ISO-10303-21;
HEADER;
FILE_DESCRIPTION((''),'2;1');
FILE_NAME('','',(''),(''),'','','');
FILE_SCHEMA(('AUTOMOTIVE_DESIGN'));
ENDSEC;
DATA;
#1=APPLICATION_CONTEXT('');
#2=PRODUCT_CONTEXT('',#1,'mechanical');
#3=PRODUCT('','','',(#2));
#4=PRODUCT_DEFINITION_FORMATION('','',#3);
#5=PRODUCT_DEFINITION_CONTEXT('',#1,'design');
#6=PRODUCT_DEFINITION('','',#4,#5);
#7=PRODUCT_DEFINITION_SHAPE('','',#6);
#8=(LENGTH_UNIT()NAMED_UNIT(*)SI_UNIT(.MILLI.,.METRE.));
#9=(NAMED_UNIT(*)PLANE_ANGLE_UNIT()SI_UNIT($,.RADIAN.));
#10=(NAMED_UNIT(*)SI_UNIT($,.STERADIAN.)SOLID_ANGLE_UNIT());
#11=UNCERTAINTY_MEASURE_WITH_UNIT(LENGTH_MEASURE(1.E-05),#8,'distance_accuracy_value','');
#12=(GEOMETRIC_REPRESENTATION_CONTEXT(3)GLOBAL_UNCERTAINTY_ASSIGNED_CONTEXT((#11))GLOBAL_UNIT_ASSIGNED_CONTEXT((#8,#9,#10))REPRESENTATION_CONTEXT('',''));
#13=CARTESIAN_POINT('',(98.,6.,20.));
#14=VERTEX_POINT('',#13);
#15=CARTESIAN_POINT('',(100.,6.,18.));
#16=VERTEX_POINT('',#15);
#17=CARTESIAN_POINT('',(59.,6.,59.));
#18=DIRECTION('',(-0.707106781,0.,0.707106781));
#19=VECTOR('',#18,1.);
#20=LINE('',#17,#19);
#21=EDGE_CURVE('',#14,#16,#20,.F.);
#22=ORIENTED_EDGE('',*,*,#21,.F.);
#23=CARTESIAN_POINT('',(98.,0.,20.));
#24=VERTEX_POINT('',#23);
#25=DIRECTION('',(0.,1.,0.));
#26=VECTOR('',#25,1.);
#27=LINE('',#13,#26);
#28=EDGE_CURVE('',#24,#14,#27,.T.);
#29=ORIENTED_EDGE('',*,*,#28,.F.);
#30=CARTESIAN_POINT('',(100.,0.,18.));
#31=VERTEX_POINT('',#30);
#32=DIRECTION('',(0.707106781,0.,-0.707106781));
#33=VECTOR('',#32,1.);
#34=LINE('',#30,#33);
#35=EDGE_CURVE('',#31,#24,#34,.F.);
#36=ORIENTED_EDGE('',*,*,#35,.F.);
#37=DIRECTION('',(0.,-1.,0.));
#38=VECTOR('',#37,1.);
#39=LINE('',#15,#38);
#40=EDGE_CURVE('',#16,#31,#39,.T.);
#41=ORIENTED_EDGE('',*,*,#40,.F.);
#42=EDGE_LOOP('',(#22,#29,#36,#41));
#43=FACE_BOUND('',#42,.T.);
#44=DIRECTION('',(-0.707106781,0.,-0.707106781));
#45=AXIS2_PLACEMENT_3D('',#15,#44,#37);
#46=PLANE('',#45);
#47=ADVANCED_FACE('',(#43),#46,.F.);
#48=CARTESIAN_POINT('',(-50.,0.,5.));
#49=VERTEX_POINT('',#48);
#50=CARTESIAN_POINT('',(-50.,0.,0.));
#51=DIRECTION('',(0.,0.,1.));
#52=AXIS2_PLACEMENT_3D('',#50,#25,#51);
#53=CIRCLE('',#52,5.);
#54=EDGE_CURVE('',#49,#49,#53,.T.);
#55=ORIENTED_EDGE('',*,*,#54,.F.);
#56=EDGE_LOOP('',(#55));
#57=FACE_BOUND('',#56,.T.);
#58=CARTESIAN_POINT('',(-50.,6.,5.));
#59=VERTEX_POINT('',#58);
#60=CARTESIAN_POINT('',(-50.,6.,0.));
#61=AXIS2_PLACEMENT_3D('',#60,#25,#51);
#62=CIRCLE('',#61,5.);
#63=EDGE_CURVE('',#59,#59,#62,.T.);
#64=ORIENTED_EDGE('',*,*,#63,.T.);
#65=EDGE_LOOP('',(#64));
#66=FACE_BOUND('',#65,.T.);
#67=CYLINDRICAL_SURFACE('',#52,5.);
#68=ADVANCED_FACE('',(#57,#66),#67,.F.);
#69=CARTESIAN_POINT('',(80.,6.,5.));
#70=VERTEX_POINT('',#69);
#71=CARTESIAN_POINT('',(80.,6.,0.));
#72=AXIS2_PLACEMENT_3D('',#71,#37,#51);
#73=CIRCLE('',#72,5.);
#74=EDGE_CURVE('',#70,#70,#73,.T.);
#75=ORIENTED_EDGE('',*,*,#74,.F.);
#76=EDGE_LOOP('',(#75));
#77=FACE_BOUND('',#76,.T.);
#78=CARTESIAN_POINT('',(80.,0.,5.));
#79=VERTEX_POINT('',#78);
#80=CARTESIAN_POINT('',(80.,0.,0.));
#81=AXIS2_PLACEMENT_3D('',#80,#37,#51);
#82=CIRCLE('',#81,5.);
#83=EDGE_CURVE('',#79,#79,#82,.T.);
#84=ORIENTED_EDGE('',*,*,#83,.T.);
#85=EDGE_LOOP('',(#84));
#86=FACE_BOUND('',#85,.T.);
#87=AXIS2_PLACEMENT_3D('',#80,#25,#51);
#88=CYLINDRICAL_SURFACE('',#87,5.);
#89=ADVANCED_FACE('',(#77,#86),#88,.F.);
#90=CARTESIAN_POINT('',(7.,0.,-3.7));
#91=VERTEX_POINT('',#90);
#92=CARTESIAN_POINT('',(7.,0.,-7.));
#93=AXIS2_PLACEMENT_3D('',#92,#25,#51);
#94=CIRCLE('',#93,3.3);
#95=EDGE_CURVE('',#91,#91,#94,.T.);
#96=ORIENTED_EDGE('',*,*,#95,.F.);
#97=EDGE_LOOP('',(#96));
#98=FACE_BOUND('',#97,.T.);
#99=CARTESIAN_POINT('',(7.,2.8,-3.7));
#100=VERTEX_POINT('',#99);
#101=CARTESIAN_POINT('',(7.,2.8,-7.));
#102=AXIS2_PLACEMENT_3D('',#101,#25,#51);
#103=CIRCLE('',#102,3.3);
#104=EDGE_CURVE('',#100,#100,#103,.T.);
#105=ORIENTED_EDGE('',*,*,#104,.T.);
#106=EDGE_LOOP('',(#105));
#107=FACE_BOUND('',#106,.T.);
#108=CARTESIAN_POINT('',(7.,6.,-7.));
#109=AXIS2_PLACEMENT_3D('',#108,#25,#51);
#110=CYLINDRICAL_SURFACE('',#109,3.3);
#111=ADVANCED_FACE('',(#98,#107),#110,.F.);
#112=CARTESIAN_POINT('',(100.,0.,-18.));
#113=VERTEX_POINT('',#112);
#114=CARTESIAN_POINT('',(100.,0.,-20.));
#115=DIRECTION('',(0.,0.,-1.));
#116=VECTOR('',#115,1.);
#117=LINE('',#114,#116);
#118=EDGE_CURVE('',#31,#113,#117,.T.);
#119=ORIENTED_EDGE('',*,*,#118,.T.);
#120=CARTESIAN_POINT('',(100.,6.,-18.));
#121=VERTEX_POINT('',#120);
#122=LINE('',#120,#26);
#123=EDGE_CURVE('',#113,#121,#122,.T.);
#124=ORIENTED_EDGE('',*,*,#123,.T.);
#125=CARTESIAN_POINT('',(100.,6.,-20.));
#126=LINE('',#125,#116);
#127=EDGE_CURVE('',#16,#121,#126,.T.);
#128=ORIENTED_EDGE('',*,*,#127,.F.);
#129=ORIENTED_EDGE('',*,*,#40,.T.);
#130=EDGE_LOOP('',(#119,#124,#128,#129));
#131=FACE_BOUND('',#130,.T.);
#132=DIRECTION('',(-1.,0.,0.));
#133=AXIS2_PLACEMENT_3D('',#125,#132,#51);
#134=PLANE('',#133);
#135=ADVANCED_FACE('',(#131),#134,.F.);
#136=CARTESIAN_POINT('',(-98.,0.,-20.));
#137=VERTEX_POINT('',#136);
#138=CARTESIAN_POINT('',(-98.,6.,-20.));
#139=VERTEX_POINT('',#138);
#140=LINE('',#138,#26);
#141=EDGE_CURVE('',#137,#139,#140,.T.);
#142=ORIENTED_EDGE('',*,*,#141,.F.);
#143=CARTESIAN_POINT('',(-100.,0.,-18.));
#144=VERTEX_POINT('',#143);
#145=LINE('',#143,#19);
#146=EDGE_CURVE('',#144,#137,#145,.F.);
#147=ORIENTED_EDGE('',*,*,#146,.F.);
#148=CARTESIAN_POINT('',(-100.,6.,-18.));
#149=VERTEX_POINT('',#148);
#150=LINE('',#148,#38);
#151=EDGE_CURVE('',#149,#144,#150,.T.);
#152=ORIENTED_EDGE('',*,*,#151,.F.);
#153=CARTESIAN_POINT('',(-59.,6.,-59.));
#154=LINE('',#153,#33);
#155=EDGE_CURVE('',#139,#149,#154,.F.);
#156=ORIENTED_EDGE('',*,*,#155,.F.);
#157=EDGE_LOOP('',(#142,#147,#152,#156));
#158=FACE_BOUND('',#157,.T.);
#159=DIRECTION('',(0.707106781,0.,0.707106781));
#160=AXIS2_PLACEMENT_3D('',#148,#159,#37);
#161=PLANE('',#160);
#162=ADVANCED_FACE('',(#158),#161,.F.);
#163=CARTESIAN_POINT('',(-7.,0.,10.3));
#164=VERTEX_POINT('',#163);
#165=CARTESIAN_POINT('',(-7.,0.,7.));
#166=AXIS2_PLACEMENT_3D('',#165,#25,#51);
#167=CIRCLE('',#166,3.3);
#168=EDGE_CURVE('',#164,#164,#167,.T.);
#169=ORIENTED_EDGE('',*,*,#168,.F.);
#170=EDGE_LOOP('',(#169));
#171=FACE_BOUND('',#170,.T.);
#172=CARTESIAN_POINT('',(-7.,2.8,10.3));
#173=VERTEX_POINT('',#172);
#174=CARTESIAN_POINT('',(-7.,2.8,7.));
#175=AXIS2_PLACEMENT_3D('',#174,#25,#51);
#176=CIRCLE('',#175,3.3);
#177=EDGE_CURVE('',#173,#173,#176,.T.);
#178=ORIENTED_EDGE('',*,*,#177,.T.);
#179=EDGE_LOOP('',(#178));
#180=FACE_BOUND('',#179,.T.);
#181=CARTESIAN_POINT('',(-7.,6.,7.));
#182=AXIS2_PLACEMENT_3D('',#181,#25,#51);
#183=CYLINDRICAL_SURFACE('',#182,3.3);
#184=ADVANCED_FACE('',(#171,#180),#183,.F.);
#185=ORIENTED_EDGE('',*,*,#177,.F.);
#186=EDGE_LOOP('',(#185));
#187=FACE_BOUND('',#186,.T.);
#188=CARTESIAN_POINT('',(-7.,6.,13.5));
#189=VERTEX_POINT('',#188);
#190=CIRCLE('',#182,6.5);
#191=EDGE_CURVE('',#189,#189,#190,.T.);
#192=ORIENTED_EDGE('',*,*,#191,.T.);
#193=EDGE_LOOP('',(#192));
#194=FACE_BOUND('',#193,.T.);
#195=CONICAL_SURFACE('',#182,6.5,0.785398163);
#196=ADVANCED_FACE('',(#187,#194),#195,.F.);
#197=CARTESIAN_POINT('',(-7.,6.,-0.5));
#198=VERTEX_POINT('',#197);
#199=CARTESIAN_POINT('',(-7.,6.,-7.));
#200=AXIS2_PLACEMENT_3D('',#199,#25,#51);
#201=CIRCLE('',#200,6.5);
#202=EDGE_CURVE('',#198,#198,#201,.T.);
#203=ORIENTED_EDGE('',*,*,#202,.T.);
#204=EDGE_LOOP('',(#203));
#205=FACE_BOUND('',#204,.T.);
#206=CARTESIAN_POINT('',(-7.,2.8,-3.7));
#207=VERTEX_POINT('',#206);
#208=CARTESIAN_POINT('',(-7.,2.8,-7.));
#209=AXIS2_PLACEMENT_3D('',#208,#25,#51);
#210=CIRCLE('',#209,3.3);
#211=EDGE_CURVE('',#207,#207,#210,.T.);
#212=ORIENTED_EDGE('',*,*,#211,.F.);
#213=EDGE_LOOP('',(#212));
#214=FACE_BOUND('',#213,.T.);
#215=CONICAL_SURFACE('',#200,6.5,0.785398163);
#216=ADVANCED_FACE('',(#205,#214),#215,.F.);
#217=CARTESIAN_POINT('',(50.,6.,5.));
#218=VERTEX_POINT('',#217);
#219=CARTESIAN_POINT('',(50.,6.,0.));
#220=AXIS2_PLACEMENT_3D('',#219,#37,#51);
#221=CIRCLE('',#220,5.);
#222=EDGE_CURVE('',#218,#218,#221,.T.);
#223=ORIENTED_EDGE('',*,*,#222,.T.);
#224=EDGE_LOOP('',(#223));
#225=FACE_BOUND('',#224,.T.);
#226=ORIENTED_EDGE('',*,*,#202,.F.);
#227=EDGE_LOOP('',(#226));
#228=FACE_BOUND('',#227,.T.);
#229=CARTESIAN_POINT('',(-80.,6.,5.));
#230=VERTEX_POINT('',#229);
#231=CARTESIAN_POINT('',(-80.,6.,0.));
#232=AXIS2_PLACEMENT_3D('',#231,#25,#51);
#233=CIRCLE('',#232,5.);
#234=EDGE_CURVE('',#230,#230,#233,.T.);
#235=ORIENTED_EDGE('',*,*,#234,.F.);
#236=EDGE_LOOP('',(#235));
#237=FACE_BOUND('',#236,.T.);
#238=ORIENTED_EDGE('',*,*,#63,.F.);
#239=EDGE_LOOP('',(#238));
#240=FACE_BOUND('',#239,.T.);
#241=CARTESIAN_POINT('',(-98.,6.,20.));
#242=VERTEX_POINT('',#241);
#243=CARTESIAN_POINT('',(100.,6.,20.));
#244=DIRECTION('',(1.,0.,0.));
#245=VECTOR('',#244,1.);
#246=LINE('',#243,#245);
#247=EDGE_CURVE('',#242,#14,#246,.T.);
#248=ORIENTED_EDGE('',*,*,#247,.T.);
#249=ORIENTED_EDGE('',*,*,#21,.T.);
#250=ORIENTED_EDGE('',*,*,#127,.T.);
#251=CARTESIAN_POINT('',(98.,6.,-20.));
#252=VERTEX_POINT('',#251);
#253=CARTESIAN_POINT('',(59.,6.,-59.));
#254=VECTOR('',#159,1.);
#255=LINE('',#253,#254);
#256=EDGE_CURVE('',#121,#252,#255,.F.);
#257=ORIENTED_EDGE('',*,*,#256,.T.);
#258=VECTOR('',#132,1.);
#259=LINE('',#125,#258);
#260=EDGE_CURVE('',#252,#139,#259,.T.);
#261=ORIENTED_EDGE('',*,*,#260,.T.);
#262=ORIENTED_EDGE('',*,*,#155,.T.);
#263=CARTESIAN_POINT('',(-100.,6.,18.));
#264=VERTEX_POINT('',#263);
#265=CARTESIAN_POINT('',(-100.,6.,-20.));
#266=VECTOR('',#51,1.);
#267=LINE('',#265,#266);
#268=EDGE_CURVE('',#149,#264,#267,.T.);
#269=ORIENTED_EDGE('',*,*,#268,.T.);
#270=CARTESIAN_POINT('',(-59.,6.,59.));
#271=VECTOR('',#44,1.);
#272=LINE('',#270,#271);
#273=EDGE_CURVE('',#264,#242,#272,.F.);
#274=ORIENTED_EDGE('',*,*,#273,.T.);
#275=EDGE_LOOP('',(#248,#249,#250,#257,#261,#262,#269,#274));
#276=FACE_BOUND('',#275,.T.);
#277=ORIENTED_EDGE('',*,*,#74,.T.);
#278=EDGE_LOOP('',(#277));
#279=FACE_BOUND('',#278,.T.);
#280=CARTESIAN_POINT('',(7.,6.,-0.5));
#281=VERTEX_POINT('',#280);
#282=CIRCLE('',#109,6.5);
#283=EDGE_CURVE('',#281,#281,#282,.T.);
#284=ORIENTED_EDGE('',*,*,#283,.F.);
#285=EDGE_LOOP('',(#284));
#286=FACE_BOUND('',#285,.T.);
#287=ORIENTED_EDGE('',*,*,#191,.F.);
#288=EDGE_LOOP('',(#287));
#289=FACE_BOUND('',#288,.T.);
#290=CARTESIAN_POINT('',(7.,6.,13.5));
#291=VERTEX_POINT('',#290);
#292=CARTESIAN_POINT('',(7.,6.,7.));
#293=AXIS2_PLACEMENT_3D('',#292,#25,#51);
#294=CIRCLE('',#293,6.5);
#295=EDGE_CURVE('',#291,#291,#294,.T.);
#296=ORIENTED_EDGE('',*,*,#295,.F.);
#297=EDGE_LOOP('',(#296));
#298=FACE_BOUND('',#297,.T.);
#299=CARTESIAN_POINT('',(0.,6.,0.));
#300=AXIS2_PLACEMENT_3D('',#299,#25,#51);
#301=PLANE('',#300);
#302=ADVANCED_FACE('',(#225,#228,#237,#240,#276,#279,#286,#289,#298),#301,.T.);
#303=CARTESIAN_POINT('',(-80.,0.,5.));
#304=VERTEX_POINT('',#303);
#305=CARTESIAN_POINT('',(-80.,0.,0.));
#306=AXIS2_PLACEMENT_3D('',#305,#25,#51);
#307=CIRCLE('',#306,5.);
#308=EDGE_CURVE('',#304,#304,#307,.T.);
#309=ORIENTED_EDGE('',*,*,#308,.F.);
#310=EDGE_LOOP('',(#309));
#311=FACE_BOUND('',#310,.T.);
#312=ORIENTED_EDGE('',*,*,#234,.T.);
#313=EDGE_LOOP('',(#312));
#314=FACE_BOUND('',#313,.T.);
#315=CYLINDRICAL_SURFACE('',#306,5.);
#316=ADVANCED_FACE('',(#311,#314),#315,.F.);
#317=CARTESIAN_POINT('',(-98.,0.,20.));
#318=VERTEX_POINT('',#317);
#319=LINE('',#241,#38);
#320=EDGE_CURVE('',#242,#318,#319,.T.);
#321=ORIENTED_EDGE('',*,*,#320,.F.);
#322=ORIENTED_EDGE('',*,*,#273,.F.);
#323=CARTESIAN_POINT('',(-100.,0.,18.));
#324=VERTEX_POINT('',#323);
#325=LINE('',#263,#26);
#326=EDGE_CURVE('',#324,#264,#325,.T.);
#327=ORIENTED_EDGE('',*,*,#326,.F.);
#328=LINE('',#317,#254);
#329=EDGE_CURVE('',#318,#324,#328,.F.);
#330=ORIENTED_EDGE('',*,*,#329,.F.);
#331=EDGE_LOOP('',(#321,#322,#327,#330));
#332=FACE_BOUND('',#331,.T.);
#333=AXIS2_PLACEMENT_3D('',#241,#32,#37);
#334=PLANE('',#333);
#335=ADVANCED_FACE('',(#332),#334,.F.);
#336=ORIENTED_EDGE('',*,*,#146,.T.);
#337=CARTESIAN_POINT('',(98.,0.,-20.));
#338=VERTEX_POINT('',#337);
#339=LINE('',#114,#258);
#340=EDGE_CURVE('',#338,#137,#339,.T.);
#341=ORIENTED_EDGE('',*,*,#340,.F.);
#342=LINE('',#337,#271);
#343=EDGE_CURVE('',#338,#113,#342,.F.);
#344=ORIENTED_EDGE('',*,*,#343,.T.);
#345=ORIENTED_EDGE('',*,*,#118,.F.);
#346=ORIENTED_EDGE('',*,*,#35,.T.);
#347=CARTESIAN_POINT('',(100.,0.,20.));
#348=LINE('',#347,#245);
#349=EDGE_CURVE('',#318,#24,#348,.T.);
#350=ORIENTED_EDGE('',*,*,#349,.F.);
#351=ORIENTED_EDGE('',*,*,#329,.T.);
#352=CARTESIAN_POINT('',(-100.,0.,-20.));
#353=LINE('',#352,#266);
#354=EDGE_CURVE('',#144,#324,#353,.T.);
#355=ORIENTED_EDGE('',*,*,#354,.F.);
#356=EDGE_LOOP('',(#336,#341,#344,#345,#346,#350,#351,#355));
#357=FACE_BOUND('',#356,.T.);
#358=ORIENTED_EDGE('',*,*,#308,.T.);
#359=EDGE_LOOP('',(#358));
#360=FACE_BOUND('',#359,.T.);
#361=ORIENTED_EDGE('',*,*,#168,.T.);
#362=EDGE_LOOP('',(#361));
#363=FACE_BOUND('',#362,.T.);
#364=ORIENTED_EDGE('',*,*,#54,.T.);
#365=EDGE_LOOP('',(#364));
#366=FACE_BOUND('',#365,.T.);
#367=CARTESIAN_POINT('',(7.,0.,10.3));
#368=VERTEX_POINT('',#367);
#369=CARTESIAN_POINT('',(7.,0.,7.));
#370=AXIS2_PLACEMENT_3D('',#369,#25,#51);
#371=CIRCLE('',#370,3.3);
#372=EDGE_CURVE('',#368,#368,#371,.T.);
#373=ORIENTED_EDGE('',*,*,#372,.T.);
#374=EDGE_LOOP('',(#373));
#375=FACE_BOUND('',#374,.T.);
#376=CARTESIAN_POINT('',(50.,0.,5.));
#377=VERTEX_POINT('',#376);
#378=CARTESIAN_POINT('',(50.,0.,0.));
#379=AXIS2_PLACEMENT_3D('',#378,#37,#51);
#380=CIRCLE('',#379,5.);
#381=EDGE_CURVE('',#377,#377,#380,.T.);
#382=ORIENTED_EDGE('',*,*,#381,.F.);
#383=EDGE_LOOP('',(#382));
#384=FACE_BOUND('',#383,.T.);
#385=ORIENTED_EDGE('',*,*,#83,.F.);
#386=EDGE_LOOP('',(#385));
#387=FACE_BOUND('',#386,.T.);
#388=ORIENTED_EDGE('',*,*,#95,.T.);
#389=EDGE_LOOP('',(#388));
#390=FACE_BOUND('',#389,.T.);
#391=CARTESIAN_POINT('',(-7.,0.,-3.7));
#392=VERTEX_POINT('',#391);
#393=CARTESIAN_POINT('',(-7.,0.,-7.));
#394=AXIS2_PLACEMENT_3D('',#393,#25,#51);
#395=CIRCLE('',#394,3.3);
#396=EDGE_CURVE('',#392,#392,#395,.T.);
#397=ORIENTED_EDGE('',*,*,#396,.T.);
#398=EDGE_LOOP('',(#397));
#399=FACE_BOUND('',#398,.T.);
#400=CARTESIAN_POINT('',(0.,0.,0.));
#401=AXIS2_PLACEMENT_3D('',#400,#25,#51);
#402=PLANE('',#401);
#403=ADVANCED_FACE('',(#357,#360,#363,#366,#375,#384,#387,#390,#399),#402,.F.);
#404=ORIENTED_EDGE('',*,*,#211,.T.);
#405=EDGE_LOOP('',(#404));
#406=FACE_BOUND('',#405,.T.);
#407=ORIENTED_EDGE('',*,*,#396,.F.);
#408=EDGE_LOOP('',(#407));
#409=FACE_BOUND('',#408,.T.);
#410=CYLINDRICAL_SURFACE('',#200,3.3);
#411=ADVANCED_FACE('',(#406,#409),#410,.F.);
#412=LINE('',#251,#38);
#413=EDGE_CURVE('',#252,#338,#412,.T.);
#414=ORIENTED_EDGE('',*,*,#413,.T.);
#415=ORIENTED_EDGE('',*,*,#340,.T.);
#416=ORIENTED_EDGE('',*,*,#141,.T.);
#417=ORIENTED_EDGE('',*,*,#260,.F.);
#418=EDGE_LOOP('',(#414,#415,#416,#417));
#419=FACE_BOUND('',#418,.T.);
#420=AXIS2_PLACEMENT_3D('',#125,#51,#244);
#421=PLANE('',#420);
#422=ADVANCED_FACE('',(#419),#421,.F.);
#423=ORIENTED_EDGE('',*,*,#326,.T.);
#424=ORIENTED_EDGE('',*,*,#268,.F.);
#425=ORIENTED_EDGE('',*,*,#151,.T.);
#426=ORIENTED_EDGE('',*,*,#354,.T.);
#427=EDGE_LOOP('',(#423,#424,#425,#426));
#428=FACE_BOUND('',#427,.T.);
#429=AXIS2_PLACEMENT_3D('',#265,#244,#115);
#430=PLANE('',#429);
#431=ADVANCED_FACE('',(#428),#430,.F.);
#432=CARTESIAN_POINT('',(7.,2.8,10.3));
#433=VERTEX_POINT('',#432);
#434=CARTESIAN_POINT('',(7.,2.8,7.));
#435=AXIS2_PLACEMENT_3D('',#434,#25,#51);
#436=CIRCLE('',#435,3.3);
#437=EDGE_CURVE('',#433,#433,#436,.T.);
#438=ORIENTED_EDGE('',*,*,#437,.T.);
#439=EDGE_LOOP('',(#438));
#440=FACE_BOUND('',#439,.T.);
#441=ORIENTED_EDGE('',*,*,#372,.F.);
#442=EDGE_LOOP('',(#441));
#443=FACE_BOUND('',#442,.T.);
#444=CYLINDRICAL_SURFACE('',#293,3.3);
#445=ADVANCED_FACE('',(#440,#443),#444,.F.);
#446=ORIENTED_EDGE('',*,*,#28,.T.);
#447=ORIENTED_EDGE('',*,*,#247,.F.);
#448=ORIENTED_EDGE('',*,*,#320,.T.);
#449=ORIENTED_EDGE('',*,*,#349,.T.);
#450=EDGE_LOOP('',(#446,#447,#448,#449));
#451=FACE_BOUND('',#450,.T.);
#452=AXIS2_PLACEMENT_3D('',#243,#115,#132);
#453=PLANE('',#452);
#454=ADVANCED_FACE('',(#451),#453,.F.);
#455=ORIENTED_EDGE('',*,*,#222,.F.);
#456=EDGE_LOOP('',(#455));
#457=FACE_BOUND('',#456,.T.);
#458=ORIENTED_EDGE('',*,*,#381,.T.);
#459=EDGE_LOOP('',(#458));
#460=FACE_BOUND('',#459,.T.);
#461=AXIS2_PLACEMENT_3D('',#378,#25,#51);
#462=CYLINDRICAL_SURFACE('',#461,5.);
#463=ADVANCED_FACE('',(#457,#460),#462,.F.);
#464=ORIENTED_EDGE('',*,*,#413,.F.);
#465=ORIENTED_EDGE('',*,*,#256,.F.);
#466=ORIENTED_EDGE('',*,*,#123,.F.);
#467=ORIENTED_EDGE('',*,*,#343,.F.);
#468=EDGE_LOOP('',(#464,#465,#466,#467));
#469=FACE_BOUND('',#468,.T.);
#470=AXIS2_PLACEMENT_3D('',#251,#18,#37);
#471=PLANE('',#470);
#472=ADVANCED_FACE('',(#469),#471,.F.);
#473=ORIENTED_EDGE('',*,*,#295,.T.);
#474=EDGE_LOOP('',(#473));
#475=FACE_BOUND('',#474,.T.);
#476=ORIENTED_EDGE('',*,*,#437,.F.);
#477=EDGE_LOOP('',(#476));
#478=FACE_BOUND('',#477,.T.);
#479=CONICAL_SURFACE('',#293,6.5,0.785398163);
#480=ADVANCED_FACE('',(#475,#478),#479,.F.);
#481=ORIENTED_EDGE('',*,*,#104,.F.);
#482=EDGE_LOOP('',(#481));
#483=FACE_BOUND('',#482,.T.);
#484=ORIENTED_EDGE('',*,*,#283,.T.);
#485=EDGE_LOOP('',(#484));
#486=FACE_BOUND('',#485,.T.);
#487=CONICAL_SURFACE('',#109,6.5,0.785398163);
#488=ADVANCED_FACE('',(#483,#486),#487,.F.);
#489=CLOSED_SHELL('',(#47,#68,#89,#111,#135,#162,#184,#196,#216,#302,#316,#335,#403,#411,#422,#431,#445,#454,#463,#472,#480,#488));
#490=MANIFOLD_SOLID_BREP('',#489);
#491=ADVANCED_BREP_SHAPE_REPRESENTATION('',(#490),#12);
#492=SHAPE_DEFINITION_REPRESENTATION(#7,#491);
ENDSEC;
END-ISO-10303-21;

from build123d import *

# Parameters (mm, degrees)
SKETCH1_W                                    = 200
SKETCH1_H                                    = 40
BOSS_EXTRUDE1_DEPTH                          = 6
CSK_FOR_M6_COUNTERSUNK_FLAT_HEAD_SCR_2_COUNT = 2
CSK_FOR_M6_COUNTERSUNK_FLAT_HEAD_SCR_2_PITCH = 14
CSK_FOR_M6_COUNTERSUNK_FLAT_HEAD_SCR_3_COUNT = 2
CSK_FOR_M6_COUNTERSUNK_FLAT_HEAD_SCR_3_PITCH = 19.798989873
CSK_FOR_M6_COUNTERSUNK_FLAT_HEAD_SCR_4_COUNT = 2
CSK_FOR_M6_COUNTERSUNK_FLAT_HEAD_SCR_4_PITCH = 14
CHAMFER1_SIZE                                = 2
SKETCH8_R                                    = 5
CUT_EXTRUDE1_DEPTH                           = 103.156742313


with BuildPart() as part:
    # Sketch1 → Boss-Extrude1 (new body)
    with BuildSketch(Plane(origin=(0, 0, 0), x_dir=(1, 0, 0), z_dir=(0, 1, 0))):
        Rectangle(SKETCH1_W, SKETCH1_H)
    extrude(amount=BOSS_EXTRUDE1_DEPTH)

    # Sketch5 → CSK for M6 Countersunk Flat Head Screw1 (revolve, cut)
    with BuildSketch(Plane(origin=(-7, 6, -7), x_dir=(0, 0, 1), z_dir=(1, 0, 0))):
        Polygon((0, 0), (0, 6), (3.3, 6), (3.3, 3.2), (6.5, 0), align=None)
    csk_for_m6_countersunk_flat_head_screw1 = revolve(axis=Axis((-7, 12.35, -7), (0, -1, 0)), mode=Mode.SUBTRACT)

    # CSK for M6 Countersunk Flat Head Scr 2: CSK for M6 Countersunk Flat Head Screw1 ×2
    with Locations(*[(i * CSK_FOR_M6_COUNTERSUNK_FLAT_HEAD_SCR_2_PITCH, 0, 0) for i in range(1, CSK_FOR_M6_COUNTERSUNK_FLAT_HEAD_SCR_2_COUNT)]):
        add(csk_for_m6_countersunk_flat_head_screw1, mode=Mode.SUBTRACT)

    # CSK for M6 Countersunk Flat Head Scr 3: CSK for M6 Countersunk Flat Head Screw1 ×2
    with Locations(*[Vector(0.7071067811865476, 0, 0.7071067811865476) * (i * CSK_FOR_M6_COUNTERSUNK_FLAT_HEAD_SCR_3_PITCH) for i in range(1, CSK_FOR_M6_COUNTERSUNK_FLAT_HEAD_SCR_3_COUNT)]):
        add(csk_for_m6_countersunk_flat_head_screw1, mode=Mode.SUBTRACT)

    # CSK for M6 Countersunk Flat Head Scr 4: CSK for M6 Countersunk Flat Head Screw1 ×2
    with Locations(*[(0, 0, i * CSK_FOR_M6_COUNTERSUNK_FLAT_HEAD_SCR_4_PITCH) for i in range(1, CSK_FOR_M6_COUNTERSUNK_FLAT_HEAD_SCR_4_COUNT)]):
        add(csk_for_m6_countersunk_flat_head_screw1, mode=Mode.SUBTRACT)

    # Chamfer1
    chamfer1_edges = [part.edges().sort_by_distance(p)[0] for p in [
        (-100, 3, 20),
        (-100, 3, -20),
        (100, 3, -20),
        (100, 3, 20),
    ]]
    chamfer(chamfer1_edges, length=CHAMFER1_SIZE)

    # Sketch8 → Cut-Extrude1 (cut, through all)
    with BuildSketch(Plane(origin=(0, 6, 0), x_dir=(1, 0, 0), z_dir=(0, 1, 0))):
        with Locations(Location((-50, 0, 0), (0, 0, 270))):
            Circle(SKETCH8_R)
        with Locations(Location((-80, 0, 0), (0, 0, 270))):
            Circle(SKETCH8_R)
    cut_extrude1 = extrude(amount=-CUT_EXTRUDE1_DEPTH, mode=Mode.SUBTRACT)

    # Mirror1: Cut-Extrude1 across plane
    add(cut_extrude1.mirror(Plane(origin=(0, 0, 0), x_dir=(0, 0, 1), z_dir=(1, 0, 0))), mode=Mode.SUBTRACT)


solid = part.part
